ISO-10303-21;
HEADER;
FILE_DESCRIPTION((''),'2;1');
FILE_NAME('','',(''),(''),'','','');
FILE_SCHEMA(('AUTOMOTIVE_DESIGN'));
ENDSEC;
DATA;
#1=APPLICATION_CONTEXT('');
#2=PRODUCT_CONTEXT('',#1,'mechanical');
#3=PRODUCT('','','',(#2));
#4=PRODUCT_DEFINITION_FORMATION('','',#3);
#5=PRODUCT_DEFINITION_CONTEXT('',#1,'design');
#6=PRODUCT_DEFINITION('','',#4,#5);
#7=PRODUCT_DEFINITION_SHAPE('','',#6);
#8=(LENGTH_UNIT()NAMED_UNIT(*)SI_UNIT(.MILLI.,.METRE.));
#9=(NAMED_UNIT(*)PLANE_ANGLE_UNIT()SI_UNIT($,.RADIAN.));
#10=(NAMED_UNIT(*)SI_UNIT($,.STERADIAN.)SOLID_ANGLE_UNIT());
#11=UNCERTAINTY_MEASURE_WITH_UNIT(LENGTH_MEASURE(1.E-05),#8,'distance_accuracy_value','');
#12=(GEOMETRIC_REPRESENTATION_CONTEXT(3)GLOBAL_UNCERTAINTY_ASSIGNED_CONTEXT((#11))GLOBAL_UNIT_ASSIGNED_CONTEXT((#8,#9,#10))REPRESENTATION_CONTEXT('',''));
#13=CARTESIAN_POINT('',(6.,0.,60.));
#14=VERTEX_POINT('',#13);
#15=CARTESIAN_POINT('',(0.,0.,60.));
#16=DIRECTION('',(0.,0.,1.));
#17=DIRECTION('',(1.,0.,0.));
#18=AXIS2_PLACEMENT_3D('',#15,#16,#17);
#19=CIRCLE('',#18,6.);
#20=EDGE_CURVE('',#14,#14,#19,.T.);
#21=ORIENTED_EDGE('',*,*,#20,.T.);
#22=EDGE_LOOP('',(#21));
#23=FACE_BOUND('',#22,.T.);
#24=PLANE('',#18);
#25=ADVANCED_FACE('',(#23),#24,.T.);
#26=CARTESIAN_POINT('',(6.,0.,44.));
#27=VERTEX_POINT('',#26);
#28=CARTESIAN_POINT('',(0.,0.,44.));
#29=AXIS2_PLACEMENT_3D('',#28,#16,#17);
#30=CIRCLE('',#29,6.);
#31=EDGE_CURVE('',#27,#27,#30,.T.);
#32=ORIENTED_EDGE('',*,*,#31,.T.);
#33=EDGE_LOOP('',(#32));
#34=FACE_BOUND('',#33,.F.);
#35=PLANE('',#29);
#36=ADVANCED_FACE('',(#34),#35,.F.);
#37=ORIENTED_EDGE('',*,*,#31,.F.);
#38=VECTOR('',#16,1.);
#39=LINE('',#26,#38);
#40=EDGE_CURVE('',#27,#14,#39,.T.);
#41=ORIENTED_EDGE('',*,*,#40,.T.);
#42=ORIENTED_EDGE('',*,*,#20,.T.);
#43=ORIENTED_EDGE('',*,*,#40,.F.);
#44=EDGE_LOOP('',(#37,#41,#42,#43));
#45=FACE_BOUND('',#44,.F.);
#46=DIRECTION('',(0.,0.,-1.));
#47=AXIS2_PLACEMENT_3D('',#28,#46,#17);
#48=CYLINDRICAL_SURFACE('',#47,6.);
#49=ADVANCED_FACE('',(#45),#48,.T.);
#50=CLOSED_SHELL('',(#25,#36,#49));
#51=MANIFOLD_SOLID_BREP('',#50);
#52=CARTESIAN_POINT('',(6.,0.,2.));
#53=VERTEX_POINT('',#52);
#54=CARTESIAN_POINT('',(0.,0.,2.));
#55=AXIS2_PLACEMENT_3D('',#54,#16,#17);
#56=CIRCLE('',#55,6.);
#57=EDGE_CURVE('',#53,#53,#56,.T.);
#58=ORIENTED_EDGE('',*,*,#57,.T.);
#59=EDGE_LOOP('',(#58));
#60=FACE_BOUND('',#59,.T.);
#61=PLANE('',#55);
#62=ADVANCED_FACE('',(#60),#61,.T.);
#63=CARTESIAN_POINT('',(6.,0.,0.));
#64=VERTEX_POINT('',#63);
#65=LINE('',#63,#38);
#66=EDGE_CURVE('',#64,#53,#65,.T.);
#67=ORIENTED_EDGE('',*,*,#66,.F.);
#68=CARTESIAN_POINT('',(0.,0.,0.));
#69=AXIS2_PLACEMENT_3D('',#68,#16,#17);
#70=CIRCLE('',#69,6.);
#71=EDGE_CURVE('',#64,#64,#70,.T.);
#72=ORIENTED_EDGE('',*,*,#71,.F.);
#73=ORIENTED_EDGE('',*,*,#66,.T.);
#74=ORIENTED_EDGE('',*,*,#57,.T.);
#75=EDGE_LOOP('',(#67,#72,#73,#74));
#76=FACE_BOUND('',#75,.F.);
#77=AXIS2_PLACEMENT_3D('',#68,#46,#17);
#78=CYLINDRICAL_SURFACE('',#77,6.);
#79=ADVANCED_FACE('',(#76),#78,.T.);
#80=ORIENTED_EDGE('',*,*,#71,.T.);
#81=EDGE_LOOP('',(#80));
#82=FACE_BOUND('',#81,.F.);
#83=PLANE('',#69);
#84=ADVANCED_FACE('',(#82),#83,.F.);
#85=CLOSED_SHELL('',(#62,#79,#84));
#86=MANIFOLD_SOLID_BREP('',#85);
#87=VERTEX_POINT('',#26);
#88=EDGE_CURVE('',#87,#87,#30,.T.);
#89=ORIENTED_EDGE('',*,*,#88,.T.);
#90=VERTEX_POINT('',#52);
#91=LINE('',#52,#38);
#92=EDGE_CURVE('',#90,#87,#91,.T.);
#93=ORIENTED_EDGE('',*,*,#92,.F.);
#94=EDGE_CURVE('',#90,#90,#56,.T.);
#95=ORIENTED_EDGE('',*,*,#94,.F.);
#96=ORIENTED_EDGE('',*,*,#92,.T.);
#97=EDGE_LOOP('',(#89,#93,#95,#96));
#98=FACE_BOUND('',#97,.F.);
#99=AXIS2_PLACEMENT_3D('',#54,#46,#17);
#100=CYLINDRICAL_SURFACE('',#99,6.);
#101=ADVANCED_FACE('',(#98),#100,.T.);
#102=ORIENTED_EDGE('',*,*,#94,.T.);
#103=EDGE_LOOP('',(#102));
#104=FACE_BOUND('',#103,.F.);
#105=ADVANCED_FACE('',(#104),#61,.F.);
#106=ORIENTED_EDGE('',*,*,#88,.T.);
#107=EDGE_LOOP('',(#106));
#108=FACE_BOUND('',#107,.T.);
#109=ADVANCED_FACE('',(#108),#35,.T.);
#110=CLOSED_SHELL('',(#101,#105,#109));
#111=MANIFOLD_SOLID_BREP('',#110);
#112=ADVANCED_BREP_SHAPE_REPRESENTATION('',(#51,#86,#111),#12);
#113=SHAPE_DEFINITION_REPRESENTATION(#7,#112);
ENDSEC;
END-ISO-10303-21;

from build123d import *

# Parameters (mm, degrees)
F0_R     = 6
F1_DEPTH = 2
F2_R     = 6
F3_DEPTH = 42
F4_R     = 6
F5_DEPTH = 16


with BuildPart() as f1:
    # F0 (on Top) → F1 (new body)
    with BuildSketch(Plane.XY):
        Circle(F0_R)
    extrude(amount=F1_DEPTH)


with BuildPart() as f3:
    # F2 (on face) → F3 (new body)
    with BuildSketch(Plane.XY.offset(2)):
        Circle(F2_R)
    extrude(amount=F3_DEPTH)


with BuildPart() as f5:
    # F4 (on face) → F5 (new body)
    with BuildSketch(Plane.XY.offset(44)):
        Circle(F4_R)
    extrude(amount=F5_DEPTH)


solid = Compound([f1.part, f3.part, f5.part])
